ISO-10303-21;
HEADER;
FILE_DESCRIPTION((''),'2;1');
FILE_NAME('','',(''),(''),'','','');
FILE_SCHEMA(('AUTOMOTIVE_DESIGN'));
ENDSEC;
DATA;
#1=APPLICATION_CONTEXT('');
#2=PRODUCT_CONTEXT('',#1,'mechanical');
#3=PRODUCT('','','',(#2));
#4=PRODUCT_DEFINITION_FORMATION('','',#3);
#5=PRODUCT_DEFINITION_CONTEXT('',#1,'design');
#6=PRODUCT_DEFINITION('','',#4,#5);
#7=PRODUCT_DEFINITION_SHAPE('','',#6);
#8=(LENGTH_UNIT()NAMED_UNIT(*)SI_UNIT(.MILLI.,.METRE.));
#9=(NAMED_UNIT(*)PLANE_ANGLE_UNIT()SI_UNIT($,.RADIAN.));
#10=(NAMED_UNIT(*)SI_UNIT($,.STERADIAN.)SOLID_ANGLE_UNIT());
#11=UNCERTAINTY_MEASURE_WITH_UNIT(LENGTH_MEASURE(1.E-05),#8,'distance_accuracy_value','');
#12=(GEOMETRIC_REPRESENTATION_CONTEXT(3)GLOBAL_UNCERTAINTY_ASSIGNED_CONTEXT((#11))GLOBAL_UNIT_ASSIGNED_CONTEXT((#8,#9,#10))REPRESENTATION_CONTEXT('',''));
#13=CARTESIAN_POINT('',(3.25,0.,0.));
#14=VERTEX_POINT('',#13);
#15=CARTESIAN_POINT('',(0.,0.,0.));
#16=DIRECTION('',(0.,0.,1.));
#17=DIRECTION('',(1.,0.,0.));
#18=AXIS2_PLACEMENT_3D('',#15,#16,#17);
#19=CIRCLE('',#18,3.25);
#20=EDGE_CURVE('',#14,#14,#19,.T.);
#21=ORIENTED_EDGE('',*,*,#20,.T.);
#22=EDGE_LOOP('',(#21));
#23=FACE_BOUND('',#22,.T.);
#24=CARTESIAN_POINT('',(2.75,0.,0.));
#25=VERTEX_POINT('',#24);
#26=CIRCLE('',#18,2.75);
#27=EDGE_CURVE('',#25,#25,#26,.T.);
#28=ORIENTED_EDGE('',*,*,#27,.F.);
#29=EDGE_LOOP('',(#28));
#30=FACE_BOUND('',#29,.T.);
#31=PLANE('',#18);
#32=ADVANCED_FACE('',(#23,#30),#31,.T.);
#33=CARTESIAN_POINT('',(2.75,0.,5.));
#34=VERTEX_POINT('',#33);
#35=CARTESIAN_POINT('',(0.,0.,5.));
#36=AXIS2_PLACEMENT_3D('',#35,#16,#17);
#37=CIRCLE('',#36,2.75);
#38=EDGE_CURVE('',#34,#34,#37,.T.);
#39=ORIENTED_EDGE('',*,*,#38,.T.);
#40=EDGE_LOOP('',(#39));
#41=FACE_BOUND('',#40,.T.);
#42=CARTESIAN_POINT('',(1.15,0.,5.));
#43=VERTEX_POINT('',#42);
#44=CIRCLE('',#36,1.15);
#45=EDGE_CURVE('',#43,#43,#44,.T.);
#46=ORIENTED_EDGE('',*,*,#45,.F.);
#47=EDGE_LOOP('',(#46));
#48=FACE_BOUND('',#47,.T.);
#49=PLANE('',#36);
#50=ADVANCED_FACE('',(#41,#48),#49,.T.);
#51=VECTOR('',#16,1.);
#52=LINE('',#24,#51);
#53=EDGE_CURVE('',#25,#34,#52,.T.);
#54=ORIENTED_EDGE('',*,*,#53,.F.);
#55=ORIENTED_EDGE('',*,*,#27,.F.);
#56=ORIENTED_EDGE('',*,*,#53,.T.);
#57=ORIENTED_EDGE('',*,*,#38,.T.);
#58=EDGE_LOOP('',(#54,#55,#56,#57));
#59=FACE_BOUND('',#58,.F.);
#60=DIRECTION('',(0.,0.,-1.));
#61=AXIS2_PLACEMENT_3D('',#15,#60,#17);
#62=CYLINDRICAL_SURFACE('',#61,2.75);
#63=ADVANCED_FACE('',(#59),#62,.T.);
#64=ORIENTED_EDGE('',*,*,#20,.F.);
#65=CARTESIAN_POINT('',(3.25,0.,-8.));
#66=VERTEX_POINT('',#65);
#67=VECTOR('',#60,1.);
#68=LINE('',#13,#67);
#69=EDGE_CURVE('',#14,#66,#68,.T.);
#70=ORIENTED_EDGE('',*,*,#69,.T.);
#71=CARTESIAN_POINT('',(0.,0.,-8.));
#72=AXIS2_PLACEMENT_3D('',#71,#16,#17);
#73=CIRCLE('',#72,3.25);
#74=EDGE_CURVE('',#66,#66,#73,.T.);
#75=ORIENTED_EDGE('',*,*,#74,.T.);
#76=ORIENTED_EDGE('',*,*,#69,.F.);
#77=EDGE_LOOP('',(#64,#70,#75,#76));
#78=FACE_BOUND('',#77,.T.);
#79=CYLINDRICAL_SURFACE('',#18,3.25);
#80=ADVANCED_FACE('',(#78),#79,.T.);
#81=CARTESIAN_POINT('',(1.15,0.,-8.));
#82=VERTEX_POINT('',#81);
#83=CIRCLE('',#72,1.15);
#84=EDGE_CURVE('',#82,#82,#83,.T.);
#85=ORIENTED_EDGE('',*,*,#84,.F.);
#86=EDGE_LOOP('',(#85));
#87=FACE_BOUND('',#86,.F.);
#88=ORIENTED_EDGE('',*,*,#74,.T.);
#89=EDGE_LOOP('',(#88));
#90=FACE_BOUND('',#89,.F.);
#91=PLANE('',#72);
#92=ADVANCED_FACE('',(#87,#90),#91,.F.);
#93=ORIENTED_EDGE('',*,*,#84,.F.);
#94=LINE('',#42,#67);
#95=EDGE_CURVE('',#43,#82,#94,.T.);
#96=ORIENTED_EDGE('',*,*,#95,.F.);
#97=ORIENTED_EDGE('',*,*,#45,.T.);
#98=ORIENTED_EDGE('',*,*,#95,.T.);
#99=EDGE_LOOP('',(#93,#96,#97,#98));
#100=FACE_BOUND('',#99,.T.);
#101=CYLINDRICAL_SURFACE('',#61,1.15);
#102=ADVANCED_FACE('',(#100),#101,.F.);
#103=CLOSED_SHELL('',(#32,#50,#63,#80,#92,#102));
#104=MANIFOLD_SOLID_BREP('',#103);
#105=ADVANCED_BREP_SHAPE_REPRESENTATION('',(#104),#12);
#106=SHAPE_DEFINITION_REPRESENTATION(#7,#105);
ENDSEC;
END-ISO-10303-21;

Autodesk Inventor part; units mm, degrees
ref_plane "YZ Plane" through (0, 0, 0) normal (1, 0, 0) x (0, 1, 0)
ref_plane "XZ Plane" through (0, 0, 0) normal (0, 1, 0) x (-1, 0, 0)
ref_plane "XY Plane" through (0, 0, 0) normal (0, 0, 1) x (1, 0, 0)
sketch "スケッチ1" plane through (0, 0, 0) normal (0, 0, 1) x (1, 0, 0)
  circle A0 centre (0, 0) radius 1.15
  circle A1 centre (0, 0) radius 3.25
  circle A2 centre (0, 0) radius 2.75
  dimension "d0" = 2.3
  dimension "d1" = 6.5
  dimension "d2" = 5.5
extrude "押し出し1" add sketch "スケッチ1" along normal blind 5 contours A2
extrude "押し出し2" add sketch "スケッチ1" against normal blind 8 contours A1 | A2
properties part number "ピニオンギア 歯数8"
